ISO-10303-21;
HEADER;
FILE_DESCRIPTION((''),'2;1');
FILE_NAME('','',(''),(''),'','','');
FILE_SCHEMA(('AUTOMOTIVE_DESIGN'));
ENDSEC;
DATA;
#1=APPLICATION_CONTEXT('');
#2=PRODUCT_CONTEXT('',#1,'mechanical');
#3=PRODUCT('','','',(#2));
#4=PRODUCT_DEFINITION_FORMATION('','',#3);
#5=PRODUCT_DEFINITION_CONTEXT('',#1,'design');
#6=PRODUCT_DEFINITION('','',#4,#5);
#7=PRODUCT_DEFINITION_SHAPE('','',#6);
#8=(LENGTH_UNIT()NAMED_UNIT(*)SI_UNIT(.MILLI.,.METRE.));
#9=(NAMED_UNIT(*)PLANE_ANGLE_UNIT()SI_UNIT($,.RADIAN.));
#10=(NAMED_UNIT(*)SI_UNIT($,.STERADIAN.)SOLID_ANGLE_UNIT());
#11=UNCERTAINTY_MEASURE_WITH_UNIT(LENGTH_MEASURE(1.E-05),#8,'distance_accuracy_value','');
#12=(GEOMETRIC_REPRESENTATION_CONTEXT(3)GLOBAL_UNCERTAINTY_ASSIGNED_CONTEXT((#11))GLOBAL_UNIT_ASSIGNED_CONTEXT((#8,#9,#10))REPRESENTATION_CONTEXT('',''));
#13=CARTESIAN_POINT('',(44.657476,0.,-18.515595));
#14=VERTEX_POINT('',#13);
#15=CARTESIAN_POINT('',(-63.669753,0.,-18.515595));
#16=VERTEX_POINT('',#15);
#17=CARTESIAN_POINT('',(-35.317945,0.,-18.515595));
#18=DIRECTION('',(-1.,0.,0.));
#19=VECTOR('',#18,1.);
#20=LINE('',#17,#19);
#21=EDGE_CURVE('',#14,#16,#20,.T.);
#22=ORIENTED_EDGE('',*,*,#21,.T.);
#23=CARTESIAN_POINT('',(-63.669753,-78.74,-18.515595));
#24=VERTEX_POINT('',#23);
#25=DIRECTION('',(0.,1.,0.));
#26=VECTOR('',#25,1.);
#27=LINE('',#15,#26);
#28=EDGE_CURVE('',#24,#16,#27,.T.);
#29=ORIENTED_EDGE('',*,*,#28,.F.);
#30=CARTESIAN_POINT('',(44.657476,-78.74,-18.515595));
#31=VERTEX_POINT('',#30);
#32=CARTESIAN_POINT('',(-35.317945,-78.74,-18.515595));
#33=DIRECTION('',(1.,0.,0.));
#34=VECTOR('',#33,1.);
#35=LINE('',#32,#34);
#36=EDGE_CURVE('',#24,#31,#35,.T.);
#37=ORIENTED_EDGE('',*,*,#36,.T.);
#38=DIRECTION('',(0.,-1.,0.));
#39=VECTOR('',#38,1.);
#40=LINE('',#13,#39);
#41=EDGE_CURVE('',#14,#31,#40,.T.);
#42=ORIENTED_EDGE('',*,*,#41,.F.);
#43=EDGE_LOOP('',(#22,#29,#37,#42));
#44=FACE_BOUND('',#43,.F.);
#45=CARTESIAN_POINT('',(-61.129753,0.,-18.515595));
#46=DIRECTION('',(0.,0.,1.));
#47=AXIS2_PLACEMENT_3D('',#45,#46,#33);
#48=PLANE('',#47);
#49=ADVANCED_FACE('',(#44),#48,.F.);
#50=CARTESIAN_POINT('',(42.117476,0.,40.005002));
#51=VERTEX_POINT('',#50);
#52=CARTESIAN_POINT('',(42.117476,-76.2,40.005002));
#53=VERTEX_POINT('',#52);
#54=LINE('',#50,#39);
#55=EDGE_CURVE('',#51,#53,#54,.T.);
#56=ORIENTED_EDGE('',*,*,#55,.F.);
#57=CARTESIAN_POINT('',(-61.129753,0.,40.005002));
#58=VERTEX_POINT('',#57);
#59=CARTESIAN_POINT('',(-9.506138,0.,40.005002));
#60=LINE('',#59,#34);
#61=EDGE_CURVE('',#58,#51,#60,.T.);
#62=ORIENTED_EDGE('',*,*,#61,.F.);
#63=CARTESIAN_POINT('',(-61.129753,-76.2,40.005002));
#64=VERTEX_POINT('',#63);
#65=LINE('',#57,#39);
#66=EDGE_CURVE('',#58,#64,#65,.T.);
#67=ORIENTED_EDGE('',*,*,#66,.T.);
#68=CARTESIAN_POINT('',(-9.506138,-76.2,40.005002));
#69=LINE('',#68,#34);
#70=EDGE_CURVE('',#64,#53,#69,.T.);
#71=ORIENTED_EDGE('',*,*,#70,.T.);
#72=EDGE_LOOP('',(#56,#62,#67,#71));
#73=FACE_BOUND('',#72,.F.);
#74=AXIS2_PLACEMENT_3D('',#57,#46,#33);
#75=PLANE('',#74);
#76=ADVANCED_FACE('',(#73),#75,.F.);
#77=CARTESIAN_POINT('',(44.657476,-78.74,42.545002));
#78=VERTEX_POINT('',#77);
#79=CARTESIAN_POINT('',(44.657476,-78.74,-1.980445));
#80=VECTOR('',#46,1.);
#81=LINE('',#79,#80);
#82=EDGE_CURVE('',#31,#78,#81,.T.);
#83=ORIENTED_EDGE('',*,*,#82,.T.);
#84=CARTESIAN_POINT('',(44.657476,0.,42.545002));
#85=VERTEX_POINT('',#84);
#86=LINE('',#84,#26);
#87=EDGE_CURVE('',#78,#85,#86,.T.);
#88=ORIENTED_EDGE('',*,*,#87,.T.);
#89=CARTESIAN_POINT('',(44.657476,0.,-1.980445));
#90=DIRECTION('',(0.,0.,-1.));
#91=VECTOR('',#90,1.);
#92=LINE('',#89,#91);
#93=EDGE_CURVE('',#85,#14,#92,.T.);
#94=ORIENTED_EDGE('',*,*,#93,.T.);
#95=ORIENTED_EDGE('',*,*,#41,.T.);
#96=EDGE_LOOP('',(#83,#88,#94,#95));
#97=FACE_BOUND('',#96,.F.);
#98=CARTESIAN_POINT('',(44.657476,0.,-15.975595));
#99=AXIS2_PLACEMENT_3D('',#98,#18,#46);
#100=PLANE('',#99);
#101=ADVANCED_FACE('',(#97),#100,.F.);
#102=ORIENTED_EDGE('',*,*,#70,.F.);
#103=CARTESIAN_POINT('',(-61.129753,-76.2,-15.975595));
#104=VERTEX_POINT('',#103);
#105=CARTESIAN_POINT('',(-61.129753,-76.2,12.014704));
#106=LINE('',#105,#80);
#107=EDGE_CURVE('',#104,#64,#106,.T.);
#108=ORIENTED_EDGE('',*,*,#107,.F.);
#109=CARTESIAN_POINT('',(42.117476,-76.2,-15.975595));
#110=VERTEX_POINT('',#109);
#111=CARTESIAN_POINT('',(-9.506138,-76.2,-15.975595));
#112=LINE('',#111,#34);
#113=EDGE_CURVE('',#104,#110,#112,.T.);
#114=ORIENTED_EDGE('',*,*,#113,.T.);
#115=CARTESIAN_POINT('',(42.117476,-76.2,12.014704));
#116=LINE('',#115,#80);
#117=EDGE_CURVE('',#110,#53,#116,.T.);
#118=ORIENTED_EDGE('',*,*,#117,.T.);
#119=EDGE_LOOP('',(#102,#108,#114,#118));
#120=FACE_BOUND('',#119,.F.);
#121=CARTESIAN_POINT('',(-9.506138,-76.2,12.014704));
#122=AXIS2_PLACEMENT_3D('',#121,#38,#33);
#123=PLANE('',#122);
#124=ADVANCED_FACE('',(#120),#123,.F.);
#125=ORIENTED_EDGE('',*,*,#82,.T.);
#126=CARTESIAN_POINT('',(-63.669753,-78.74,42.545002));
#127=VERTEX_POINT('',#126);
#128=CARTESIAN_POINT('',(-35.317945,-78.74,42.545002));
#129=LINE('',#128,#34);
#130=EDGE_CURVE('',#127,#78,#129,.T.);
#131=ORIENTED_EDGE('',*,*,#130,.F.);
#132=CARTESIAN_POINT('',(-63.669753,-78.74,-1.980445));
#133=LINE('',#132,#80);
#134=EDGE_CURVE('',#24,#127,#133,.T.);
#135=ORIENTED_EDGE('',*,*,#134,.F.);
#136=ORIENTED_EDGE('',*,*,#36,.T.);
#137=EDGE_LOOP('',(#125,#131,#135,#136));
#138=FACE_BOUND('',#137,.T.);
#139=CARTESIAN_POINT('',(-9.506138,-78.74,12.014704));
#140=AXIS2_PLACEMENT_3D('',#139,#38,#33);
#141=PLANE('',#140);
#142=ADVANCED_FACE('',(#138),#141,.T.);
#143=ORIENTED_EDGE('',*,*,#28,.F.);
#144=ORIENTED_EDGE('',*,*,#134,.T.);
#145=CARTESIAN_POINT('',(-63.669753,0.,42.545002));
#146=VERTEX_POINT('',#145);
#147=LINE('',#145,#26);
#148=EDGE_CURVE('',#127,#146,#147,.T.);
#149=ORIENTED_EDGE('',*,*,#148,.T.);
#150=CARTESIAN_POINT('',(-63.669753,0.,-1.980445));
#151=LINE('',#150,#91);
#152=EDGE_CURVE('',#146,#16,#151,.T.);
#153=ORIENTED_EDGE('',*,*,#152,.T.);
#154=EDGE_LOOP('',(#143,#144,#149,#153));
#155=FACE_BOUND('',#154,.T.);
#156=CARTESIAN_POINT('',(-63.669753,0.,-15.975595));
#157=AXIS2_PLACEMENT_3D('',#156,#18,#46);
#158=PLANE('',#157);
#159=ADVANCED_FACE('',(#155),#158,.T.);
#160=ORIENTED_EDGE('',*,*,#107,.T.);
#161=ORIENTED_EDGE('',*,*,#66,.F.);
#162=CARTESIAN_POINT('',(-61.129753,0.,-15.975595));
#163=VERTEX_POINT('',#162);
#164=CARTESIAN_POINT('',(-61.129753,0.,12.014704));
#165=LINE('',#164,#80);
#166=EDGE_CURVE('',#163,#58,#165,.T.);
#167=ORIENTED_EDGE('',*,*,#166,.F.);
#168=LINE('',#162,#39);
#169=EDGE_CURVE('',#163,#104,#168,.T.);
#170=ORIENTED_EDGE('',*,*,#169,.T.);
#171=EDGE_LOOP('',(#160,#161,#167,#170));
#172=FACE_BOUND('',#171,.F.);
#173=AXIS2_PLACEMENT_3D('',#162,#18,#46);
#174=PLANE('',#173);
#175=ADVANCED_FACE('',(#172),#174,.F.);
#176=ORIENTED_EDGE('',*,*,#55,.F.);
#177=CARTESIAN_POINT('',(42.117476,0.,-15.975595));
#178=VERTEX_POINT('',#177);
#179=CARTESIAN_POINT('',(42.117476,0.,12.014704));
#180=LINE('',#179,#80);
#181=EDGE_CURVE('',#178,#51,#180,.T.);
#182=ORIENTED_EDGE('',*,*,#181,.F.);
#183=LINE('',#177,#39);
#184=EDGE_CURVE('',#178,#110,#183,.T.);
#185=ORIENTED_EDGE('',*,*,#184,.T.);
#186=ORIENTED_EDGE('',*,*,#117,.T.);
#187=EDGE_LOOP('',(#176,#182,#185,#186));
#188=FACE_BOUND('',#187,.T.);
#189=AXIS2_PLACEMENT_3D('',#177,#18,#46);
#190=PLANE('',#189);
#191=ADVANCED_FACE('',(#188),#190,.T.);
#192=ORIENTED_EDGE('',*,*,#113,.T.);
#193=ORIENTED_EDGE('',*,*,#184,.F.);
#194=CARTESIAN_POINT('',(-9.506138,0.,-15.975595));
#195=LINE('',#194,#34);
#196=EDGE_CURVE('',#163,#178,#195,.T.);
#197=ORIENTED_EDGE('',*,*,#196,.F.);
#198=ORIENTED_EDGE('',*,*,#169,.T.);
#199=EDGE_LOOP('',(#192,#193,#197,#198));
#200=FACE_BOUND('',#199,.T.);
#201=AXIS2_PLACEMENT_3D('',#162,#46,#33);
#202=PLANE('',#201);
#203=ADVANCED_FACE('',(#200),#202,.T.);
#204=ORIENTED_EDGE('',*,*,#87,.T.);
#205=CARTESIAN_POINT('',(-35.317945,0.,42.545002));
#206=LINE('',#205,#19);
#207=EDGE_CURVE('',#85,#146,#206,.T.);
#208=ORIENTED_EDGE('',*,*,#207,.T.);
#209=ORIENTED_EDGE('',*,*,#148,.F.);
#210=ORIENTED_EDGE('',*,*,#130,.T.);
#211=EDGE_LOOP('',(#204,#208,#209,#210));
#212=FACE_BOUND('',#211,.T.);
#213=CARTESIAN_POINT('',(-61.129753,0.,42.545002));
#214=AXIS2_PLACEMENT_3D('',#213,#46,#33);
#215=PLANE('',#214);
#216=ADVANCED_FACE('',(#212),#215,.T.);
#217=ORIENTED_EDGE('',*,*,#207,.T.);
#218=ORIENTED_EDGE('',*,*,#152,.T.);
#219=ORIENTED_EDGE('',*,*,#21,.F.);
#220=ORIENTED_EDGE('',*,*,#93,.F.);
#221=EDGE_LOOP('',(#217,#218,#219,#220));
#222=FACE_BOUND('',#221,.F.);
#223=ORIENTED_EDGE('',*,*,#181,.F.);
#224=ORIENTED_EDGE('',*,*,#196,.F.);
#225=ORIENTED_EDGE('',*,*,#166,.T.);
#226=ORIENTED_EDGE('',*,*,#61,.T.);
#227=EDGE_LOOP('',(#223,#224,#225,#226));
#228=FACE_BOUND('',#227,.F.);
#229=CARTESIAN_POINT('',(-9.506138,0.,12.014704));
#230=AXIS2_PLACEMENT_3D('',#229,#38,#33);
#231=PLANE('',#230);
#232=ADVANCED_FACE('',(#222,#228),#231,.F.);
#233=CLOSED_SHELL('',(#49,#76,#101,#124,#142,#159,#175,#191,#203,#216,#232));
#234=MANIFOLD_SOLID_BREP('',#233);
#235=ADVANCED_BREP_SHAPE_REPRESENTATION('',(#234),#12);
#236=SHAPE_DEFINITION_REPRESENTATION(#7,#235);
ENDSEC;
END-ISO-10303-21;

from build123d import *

# Parameters (mm, degrees)
F0_W     = 103.2472290099
F0_H     = 55.9805966914
F1_DEPTH = 76.2
F2_T     = 2.54


with BuildPart() as f1:
    # F0 (on Front) → F1 (new body)
    with BuildSketch(Plane.XZ):
        with Locations((-9.5061380416, 12.0147038251)):
            Rectangle(F0_W, F0_H)
    extrude(amount=F1_DEPTH)

    # F2
    f2_openings = [f1.faces().sort_by_distance(p)[0] for p in [
        (-9.506138, 0, 12.014704),
    ]]
    offset(amount=F2_T, openings=f2_openings, kind=Kind.INTERSECTION)


solid = f1.part
